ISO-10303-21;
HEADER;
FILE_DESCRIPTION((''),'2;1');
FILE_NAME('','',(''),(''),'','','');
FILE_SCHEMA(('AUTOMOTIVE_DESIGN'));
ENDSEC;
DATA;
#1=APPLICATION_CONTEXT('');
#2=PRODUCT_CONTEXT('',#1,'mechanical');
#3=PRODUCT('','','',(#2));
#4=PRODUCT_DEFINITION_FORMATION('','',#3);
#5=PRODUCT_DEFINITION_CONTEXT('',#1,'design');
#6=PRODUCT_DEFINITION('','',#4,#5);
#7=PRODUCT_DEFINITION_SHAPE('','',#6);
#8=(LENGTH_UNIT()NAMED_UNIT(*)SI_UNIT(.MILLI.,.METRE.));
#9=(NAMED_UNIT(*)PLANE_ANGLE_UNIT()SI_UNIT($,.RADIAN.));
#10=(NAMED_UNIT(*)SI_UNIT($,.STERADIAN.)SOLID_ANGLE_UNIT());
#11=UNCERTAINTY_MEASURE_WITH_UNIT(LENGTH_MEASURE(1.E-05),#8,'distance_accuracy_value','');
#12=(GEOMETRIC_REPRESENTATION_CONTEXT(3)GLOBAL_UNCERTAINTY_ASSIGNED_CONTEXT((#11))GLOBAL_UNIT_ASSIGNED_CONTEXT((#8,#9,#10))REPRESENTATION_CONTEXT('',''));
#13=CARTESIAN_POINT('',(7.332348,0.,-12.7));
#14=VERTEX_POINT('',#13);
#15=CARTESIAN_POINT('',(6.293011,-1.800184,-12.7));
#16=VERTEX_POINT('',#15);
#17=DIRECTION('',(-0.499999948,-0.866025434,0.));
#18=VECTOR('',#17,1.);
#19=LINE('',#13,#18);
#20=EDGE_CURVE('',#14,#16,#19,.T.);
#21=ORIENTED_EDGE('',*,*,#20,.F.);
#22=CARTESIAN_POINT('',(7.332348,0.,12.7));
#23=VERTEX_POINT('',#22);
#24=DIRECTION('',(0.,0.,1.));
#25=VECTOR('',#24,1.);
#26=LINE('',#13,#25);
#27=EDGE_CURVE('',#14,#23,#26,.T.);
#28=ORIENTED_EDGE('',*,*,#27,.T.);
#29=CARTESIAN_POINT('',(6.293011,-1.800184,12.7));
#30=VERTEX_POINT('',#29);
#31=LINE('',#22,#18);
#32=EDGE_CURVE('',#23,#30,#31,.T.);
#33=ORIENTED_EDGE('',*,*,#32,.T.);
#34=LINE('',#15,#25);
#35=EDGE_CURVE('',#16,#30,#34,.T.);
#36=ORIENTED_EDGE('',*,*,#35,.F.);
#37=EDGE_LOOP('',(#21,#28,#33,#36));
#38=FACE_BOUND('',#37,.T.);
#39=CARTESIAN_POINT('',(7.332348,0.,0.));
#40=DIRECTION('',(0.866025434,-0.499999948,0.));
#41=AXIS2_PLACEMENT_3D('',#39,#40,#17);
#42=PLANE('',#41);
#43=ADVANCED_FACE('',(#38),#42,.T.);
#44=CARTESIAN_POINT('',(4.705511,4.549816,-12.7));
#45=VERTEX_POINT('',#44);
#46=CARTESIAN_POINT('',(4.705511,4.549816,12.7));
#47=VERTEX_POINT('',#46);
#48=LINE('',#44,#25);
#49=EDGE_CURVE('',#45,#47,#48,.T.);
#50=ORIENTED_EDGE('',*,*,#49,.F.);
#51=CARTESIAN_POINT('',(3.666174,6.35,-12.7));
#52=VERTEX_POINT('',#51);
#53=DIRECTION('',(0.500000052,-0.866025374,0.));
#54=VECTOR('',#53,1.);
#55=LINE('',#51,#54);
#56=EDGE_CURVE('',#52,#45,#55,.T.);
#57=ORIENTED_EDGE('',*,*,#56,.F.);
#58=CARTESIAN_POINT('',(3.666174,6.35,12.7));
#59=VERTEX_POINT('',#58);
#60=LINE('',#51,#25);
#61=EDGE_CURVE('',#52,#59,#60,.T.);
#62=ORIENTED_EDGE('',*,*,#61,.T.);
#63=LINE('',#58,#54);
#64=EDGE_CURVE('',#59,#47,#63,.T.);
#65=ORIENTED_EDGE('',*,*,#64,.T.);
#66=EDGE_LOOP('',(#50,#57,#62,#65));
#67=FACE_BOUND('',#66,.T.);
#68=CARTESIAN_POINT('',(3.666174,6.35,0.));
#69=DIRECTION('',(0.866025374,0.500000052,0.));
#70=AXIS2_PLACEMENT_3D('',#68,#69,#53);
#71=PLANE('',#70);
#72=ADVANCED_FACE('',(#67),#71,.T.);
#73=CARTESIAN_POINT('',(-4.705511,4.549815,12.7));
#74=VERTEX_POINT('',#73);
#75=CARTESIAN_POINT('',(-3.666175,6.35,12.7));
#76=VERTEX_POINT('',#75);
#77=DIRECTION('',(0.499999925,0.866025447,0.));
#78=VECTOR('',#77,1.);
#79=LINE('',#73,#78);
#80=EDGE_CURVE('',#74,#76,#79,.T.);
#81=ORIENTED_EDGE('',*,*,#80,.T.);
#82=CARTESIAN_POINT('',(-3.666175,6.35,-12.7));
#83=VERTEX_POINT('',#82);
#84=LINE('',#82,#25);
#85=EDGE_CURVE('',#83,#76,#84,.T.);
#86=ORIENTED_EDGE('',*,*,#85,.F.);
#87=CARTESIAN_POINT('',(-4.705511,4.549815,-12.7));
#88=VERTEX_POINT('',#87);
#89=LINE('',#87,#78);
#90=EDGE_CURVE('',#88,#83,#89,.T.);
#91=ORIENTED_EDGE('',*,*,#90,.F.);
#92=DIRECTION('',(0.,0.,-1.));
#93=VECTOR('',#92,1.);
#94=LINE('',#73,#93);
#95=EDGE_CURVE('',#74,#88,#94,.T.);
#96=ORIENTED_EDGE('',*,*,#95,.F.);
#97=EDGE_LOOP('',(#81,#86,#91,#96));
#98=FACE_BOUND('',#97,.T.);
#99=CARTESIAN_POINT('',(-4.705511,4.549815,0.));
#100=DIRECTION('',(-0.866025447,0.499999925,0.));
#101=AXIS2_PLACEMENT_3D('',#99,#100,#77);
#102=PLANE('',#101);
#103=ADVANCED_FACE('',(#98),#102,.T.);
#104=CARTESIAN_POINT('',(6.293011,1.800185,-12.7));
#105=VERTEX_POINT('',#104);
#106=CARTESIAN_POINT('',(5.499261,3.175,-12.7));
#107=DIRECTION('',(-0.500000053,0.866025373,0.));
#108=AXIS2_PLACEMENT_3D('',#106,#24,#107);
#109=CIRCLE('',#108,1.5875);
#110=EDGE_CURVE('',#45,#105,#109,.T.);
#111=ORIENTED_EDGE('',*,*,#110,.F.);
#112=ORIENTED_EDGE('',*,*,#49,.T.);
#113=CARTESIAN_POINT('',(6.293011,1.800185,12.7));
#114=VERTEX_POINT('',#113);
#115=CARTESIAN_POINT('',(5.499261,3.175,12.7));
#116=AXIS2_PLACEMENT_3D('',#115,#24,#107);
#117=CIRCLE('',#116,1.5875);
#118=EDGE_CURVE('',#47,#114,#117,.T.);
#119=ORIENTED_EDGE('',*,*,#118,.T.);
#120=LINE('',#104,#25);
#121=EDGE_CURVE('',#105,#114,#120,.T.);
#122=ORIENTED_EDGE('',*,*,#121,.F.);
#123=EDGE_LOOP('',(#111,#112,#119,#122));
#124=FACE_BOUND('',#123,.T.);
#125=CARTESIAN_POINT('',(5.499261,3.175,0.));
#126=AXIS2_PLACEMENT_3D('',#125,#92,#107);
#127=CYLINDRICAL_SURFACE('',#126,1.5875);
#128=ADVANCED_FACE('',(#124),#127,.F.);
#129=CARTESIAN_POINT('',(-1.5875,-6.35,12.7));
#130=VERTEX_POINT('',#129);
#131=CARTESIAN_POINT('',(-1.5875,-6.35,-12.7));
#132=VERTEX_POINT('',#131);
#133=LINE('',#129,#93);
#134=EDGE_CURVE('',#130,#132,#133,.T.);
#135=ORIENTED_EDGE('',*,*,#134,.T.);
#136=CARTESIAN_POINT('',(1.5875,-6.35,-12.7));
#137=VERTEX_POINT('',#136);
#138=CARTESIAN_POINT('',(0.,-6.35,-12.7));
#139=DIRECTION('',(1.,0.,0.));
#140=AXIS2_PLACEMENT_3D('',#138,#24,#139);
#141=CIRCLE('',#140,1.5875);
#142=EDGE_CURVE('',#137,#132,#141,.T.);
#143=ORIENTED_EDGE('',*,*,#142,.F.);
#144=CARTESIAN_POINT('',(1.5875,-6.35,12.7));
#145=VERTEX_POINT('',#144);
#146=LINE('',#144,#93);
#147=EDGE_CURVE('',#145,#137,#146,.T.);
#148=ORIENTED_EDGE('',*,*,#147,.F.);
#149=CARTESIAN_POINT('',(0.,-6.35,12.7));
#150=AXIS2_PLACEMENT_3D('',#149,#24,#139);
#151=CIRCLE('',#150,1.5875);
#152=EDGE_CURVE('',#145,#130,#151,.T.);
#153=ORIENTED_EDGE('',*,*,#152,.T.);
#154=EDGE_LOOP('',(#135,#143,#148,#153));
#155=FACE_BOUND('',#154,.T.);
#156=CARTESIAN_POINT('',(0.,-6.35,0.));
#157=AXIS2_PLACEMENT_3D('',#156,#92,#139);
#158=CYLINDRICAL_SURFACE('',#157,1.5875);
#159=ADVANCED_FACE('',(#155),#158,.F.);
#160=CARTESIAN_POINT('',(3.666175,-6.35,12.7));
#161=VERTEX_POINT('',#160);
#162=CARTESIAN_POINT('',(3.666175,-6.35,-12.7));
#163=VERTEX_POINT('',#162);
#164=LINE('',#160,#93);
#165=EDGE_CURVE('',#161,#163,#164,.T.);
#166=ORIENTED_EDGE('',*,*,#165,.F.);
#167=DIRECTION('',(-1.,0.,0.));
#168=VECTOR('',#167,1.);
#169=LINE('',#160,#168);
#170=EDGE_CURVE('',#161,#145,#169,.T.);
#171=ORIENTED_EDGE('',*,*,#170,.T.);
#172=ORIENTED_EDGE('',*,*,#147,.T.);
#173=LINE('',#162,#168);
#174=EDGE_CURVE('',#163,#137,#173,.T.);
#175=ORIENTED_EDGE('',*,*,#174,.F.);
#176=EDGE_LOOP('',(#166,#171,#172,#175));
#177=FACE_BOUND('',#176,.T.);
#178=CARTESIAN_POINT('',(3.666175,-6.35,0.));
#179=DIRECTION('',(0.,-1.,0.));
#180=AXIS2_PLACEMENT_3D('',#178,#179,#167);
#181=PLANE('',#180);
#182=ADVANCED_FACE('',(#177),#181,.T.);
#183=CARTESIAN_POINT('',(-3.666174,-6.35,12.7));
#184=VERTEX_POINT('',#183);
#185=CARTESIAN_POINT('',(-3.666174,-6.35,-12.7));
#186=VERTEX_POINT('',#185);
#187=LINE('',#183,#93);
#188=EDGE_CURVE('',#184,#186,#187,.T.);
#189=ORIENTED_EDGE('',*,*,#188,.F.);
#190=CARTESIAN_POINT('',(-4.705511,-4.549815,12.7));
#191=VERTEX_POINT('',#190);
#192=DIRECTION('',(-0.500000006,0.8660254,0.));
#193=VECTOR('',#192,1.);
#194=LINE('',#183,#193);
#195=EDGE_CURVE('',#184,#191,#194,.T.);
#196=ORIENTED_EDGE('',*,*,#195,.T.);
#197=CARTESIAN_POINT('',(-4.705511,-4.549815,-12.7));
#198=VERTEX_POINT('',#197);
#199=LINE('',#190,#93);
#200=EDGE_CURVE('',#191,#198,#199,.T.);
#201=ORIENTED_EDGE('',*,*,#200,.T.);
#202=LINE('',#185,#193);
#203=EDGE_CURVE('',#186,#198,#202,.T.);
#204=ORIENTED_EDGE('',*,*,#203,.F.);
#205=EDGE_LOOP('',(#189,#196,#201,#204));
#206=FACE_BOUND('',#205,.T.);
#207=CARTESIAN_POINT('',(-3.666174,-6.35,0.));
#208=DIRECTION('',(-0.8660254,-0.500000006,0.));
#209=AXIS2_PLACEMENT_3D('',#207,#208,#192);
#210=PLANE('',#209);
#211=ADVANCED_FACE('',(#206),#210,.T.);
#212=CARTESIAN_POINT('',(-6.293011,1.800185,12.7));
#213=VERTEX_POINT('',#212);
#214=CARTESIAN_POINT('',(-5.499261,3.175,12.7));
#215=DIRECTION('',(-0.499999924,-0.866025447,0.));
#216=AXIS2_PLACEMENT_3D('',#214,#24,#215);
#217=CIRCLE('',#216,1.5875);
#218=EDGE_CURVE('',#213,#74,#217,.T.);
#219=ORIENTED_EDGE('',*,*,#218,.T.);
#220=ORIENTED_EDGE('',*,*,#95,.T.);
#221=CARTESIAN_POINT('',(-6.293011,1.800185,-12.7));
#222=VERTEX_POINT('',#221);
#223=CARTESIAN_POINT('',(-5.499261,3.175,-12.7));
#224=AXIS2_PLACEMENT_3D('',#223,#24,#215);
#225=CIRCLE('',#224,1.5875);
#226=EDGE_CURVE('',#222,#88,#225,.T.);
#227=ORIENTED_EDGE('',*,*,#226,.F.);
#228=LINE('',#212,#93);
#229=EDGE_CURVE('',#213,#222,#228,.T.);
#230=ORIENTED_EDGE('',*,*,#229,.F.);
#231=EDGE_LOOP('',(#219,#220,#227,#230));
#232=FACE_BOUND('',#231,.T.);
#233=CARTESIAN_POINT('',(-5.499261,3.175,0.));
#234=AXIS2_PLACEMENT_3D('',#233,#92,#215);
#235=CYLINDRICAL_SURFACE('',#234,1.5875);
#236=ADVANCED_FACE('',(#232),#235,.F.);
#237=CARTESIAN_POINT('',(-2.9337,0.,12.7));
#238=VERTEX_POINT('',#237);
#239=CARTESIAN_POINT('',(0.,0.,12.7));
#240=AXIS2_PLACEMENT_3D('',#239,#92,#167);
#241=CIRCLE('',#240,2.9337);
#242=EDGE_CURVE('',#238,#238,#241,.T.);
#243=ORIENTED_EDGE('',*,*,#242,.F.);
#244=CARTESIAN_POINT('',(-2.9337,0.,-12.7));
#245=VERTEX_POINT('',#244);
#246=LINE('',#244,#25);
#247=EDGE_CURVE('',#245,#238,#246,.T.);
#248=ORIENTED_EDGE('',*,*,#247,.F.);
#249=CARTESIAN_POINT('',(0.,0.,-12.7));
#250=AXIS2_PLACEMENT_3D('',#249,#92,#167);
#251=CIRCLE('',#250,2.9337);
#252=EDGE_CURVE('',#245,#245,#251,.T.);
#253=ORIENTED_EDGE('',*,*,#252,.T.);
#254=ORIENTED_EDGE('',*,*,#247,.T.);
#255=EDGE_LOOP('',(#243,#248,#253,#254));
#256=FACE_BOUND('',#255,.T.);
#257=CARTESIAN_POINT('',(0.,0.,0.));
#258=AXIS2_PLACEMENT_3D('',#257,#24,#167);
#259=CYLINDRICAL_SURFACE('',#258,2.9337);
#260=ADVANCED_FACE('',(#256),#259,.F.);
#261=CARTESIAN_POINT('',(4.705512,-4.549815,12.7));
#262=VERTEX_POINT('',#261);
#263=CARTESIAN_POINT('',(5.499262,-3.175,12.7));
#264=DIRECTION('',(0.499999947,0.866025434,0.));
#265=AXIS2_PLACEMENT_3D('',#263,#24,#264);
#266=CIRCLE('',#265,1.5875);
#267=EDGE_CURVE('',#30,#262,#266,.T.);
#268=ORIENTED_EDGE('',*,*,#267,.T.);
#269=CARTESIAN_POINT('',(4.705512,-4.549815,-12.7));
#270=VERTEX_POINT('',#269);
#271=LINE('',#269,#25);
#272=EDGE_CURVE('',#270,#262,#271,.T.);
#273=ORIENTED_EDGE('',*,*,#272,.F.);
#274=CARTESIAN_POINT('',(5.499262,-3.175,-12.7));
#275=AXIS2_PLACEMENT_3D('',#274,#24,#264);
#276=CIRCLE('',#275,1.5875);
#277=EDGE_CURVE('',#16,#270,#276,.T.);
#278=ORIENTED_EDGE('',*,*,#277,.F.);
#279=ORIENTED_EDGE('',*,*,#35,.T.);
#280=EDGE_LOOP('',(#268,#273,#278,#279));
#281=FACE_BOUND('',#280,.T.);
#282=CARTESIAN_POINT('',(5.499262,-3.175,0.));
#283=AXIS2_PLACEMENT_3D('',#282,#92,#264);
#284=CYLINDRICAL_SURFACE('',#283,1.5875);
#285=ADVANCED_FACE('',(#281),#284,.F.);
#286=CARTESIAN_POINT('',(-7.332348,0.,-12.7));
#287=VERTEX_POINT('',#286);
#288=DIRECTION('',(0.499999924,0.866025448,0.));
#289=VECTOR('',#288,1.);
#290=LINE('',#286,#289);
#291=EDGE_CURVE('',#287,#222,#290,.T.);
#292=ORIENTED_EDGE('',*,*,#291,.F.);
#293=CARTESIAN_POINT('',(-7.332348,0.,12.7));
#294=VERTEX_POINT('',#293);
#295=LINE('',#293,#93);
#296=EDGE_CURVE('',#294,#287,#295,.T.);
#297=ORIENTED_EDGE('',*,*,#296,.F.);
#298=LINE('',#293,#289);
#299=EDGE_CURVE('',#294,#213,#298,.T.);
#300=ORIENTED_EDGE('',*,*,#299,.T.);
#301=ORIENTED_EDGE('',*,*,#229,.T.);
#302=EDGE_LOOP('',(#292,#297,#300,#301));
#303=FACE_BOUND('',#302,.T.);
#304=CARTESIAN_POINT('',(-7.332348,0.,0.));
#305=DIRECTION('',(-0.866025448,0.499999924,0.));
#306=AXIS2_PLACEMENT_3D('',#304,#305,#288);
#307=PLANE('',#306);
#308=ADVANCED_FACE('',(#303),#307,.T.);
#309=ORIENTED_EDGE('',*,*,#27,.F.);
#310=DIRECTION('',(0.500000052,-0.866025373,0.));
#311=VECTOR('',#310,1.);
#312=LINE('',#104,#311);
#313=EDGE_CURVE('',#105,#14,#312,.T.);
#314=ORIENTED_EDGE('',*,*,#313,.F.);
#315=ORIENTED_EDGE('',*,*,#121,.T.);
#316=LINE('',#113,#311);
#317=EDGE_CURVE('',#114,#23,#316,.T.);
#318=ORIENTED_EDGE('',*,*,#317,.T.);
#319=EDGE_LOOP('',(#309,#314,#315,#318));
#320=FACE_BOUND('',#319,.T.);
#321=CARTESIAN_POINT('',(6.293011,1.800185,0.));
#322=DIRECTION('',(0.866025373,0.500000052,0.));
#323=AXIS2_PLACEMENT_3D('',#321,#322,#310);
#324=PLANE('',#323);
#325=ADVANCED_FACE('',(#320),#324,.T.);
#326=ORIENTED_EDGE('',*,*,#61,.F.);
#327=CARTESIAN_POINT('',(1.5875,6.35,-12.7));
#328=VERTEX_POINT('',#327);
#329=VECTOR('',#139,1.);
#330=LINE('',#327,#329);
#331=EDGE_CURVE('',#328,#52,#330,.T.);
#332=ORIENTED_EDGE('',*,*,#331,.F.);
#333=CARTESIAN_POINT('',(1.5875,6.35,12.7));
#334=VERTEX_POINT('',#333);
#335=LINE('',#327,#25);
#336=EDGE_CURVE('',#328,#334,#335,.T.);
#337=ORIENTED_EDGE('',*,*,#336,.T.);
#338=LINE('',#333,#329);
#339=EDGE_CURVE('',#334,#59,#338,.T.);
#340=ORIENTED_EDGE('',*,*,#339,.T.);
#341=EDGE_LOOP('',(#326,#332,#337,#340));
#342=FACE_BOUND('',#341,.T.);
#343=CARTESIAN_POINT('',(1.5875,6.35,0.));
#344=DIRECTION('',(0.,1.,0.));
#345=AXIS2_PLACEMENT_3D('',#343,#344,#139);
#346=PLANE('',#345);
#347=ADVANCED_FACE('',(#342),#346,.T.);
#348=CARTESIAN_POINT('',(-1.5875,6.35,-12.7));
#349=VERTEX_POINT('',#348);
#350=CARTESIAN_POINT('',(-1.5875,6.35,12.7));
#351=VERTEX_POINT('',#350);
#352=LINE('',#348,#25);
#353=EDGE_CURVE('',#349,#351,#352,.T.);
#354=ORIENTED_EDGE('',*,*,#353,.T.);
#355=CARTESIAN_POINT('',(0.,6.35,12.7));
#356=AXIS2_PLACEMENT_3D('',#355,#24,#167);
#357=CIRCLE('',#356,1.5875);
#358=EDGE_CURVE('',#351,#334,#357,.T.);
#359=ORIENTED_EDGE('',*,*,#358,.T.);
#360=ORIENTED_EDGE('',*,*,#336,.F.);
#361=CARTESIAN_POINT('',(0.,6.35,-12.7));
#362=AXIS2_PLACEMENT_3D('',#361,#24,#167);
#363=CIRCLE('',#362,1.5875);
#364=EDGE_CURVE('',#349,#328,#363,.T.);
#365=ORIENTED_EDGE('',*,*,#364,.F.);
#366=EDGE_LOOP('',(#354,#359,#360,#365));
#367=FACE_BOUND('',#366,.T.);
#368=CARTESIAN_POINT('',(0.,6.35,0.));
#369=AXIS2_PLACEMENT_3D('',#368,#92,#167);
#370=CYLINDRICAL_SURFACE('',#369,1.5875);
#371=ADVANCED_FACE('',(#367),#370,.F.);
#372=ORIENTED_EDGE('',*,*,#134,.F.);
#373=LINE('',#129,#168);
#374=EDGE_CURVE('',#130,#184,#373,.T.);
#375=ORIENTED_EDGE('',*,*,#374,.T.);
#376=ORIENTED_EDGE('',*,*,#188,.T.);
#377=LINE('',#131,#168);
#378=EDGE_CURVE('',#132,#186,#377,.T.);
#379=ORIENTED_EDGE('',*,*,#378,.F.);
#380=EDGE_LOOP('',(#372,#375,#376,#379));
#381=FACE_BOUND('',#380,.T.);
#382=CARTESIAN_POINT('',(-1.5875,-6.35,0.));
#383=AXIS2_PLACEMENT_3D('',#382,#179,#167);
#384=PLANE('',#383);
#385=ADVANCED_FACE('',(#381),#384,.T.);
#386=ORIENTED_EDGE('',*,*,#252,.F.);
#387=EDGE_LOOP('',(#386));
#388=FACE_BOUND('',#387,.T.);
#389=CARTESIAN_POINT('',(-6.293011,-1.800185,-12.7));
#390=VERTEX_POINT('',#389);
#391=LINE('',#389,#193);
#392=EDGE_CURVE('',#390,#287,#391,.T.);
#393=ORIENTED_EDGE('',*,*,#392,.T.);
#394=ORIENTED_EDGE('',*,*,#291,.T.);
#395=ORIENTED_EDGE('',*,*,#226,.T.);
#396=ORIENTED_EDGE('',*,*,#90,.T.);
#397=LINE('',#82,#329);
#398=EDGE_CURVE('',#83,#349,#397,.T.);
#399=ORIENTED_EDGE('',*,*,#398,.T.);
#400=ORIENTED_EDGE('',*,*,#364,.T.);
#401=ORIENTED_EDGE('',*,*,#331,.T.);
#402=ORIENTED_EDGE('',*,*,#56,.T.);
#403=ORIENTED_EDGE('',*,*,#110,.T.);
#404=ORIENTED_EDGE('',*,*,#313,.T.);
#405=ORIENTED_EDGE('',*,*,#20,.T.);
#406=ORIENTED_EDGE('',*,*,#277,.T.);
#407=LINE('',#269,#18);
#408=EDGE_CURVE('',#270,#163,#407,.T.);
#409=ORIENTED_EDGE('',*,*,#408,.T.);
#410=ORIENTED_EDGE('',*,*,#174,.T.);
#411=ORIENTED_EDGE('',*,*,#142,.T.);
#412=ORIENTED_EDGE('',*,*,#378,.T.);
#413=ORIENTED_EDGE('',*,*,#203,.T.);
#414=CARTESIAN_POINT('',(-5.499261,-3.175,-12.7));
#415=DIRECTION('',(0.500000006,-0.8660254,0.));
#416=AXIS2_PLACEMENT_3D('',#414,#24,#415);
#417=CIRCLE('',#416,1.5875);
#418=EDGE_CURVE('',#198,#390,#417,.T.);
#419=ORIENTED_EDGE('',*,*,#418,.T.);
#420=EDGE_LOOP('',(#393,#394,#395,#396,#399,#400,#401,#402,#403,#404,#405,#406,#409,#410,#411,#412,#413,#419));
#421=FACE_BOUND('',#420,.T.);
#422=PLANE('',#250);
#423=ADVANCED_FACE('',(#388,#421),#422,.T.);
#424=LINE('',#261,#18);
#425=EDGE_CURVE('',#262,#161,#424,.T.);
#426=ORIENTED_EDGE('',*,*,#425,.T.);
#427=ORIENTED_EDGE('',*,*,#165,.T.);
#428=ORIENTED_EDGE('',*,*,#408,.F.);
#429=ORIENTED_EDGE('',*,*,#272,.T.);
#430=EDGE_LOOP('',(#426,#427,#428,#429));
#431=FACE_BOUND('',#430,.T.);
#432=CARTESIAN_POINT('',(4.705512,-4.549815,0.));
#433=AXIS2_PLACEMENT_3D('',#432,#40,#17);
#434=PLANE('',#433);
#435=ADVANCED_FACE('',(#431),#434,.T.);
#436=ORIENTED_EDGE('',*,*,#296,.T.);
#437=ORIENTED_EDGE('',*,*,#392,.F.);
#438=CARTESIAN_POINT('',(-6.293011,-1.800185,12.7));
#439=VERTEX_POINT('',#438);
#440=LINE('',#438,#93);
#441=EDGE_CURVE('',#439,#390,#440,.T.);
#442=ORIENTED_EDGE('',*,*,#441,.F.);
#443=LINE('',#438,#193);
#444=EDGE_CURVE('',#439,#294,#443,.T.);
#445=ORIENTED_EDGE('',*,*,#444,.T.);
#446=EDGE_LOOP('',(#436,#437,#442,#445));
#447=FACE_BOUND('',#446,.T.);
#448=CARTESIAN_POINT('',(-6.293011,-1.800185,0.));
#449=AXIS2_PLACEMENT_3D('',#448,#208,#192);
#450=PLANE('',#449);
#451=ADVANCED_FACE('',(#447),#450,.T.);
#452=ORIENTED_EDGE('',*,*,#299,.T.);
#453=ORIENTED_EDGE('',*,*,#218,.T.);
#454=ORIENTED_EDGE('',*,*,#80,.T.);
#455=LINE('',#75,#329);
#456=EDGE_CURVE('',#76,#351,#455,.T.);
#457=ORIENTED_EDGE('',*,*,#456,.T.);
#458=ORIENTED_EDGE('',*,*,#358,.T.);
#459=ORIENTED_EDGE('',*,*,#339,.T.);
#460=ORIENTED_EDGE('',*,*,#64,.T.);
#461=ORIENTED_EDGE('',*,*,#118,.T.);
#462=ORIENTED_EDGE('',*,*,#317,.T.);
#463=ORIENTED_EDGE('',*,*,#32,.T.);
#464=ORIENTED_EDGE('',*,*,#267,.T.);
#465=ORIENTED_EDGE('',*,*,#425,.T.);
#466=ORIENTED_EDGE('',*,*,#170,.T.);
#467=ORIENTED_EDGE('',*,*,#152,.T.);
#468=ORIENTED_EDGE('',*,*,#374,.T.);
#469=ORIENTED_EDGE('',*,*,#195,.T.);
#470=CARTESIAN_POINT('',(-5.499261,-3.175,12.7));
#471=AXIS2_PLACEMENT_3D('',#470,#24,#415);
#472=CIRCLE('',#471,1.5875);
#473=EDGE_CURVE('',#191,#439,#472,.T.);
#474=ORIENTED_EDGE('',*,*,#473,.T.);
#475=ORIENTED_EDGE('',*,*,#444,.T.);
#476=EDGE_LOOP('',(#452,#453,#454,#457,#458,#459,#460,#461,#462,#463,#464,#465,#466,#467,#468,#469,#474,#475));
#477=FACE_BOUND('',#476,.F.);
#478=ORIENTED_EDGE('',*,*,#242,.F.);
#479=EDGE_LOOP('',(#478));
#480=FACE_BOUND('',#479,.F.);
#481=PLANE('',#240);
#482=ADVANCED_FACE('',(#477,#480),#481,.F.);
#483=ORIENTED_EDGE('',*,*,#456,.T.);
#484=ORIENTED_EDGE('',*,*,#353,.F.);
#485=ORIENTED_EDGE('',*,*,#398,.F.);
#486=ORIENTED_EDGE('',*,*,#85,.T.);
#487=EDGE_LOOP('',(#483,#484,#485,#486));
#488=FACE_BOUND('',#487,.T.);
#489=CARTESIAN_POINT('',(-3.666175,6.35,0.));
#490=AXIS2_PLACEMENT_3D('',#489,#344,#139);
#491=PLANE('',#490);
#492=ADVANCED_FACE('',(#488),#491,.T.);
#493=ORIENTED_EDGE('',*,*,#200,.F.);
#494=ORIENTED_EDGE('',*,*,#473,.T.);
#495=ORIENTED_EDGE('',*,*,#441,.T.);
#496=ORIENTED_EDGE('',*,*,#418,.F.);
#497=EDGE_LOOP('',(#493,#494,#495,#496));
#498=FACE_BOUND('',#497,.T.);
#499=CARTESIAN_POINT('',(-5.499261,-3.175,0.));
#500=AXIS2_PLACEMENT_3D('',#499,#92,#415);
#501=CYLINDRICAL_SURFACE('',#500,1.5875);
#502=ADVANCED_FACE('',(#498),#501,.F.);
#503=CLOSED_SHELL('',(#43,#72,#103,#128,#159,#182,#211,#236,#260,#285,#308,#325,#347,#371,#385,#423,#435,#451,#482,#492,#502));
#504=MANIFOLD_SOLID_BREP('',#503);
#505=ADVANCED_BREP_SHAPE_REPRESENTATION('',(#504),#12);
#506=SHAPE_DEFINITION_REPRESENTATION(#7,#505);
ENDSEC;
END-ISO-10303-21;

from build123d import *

# Parameters (mm, degrees)
SKETCH1_R           = 2.9337
BOSS_EXTRUDE1_DEPTH = 12.7


with BuildPart() as part:
    # Sketch1 → Boss-Extrude1 (new body, symmetric)
    with BuildSketch(Plane(origin=(0, 0, 0), x_dir=(-1, 0, 0), z_dir=(0, 0, -1))):
        with BuildLine():
            Line((-4.70551159, -4.549815043), (-3.666174521, -6.349999904))
            Line((-3.666174521, -6.349999904), (-1.587500385, -6.349999904))
            ThreePointArc((-1.587500385, -6.349999904), (-3.85e-07, -4.762499904), (1.587499615, -6.349999904))
            Line((1.587499615, -6.349999904), (3.666173825, -6.349999904))
            Line((3.666173825, -6.349999904), (4.705510942, -4.54981524))
            ThreePointArc((4.705510942, -4.54981524), (4.124445629, -2.381249907), (6.293010962, -1.800184594))
            Line((6.293010962, -1.800184594), (7.332348079, 7e-08))
            Line((7.332348079, 7e-08), (6.293011217, 1.800184685))
            ThreePointArc((6.293011217, 1.800184685), (4.124445939, 2.381250203), (4.705511457, 4.549815481))
            Line((4.705511457, 4.549815481), (3.666174521, 6.350000222))
            Line((3.666174521, 6.350000222), (1.587500385, 6.350000222))
            ThreePointArc((1.587500385, 6.350000222), (3.85e-07, 4.762500222), (-1.587499615, 6.350000222))
            Line((-1.587499615, 6.350000222), (-3.666173825, 6.350000222))
            Line((-3.666173825, 6.350000222), (-4.705511038, 4.549815614))
            ThreePointArc((-4.705511038, 4.549815614), (-4.124445841, 2.38125025), (-6.293011205, 1.800185053))
            Line((-6.293011205, 1.800185053), (-7.332348419, 4.44e-07))
            Line((-7.332348419, 4.44e-07), (-6.293011423, -1.80018429))
            ThreePointArc((-6.293011423, -1.80018429), (-4.12444613, -2.38124975), (-4.70551159, -4.549815043))
        make_face()
        Circle(SKETCH1_R, mode=Mode.SUBTRACT)
    extrude(amount=BOSS_EXTRUDE1_DEPTH, both=True)


solid = part.part
